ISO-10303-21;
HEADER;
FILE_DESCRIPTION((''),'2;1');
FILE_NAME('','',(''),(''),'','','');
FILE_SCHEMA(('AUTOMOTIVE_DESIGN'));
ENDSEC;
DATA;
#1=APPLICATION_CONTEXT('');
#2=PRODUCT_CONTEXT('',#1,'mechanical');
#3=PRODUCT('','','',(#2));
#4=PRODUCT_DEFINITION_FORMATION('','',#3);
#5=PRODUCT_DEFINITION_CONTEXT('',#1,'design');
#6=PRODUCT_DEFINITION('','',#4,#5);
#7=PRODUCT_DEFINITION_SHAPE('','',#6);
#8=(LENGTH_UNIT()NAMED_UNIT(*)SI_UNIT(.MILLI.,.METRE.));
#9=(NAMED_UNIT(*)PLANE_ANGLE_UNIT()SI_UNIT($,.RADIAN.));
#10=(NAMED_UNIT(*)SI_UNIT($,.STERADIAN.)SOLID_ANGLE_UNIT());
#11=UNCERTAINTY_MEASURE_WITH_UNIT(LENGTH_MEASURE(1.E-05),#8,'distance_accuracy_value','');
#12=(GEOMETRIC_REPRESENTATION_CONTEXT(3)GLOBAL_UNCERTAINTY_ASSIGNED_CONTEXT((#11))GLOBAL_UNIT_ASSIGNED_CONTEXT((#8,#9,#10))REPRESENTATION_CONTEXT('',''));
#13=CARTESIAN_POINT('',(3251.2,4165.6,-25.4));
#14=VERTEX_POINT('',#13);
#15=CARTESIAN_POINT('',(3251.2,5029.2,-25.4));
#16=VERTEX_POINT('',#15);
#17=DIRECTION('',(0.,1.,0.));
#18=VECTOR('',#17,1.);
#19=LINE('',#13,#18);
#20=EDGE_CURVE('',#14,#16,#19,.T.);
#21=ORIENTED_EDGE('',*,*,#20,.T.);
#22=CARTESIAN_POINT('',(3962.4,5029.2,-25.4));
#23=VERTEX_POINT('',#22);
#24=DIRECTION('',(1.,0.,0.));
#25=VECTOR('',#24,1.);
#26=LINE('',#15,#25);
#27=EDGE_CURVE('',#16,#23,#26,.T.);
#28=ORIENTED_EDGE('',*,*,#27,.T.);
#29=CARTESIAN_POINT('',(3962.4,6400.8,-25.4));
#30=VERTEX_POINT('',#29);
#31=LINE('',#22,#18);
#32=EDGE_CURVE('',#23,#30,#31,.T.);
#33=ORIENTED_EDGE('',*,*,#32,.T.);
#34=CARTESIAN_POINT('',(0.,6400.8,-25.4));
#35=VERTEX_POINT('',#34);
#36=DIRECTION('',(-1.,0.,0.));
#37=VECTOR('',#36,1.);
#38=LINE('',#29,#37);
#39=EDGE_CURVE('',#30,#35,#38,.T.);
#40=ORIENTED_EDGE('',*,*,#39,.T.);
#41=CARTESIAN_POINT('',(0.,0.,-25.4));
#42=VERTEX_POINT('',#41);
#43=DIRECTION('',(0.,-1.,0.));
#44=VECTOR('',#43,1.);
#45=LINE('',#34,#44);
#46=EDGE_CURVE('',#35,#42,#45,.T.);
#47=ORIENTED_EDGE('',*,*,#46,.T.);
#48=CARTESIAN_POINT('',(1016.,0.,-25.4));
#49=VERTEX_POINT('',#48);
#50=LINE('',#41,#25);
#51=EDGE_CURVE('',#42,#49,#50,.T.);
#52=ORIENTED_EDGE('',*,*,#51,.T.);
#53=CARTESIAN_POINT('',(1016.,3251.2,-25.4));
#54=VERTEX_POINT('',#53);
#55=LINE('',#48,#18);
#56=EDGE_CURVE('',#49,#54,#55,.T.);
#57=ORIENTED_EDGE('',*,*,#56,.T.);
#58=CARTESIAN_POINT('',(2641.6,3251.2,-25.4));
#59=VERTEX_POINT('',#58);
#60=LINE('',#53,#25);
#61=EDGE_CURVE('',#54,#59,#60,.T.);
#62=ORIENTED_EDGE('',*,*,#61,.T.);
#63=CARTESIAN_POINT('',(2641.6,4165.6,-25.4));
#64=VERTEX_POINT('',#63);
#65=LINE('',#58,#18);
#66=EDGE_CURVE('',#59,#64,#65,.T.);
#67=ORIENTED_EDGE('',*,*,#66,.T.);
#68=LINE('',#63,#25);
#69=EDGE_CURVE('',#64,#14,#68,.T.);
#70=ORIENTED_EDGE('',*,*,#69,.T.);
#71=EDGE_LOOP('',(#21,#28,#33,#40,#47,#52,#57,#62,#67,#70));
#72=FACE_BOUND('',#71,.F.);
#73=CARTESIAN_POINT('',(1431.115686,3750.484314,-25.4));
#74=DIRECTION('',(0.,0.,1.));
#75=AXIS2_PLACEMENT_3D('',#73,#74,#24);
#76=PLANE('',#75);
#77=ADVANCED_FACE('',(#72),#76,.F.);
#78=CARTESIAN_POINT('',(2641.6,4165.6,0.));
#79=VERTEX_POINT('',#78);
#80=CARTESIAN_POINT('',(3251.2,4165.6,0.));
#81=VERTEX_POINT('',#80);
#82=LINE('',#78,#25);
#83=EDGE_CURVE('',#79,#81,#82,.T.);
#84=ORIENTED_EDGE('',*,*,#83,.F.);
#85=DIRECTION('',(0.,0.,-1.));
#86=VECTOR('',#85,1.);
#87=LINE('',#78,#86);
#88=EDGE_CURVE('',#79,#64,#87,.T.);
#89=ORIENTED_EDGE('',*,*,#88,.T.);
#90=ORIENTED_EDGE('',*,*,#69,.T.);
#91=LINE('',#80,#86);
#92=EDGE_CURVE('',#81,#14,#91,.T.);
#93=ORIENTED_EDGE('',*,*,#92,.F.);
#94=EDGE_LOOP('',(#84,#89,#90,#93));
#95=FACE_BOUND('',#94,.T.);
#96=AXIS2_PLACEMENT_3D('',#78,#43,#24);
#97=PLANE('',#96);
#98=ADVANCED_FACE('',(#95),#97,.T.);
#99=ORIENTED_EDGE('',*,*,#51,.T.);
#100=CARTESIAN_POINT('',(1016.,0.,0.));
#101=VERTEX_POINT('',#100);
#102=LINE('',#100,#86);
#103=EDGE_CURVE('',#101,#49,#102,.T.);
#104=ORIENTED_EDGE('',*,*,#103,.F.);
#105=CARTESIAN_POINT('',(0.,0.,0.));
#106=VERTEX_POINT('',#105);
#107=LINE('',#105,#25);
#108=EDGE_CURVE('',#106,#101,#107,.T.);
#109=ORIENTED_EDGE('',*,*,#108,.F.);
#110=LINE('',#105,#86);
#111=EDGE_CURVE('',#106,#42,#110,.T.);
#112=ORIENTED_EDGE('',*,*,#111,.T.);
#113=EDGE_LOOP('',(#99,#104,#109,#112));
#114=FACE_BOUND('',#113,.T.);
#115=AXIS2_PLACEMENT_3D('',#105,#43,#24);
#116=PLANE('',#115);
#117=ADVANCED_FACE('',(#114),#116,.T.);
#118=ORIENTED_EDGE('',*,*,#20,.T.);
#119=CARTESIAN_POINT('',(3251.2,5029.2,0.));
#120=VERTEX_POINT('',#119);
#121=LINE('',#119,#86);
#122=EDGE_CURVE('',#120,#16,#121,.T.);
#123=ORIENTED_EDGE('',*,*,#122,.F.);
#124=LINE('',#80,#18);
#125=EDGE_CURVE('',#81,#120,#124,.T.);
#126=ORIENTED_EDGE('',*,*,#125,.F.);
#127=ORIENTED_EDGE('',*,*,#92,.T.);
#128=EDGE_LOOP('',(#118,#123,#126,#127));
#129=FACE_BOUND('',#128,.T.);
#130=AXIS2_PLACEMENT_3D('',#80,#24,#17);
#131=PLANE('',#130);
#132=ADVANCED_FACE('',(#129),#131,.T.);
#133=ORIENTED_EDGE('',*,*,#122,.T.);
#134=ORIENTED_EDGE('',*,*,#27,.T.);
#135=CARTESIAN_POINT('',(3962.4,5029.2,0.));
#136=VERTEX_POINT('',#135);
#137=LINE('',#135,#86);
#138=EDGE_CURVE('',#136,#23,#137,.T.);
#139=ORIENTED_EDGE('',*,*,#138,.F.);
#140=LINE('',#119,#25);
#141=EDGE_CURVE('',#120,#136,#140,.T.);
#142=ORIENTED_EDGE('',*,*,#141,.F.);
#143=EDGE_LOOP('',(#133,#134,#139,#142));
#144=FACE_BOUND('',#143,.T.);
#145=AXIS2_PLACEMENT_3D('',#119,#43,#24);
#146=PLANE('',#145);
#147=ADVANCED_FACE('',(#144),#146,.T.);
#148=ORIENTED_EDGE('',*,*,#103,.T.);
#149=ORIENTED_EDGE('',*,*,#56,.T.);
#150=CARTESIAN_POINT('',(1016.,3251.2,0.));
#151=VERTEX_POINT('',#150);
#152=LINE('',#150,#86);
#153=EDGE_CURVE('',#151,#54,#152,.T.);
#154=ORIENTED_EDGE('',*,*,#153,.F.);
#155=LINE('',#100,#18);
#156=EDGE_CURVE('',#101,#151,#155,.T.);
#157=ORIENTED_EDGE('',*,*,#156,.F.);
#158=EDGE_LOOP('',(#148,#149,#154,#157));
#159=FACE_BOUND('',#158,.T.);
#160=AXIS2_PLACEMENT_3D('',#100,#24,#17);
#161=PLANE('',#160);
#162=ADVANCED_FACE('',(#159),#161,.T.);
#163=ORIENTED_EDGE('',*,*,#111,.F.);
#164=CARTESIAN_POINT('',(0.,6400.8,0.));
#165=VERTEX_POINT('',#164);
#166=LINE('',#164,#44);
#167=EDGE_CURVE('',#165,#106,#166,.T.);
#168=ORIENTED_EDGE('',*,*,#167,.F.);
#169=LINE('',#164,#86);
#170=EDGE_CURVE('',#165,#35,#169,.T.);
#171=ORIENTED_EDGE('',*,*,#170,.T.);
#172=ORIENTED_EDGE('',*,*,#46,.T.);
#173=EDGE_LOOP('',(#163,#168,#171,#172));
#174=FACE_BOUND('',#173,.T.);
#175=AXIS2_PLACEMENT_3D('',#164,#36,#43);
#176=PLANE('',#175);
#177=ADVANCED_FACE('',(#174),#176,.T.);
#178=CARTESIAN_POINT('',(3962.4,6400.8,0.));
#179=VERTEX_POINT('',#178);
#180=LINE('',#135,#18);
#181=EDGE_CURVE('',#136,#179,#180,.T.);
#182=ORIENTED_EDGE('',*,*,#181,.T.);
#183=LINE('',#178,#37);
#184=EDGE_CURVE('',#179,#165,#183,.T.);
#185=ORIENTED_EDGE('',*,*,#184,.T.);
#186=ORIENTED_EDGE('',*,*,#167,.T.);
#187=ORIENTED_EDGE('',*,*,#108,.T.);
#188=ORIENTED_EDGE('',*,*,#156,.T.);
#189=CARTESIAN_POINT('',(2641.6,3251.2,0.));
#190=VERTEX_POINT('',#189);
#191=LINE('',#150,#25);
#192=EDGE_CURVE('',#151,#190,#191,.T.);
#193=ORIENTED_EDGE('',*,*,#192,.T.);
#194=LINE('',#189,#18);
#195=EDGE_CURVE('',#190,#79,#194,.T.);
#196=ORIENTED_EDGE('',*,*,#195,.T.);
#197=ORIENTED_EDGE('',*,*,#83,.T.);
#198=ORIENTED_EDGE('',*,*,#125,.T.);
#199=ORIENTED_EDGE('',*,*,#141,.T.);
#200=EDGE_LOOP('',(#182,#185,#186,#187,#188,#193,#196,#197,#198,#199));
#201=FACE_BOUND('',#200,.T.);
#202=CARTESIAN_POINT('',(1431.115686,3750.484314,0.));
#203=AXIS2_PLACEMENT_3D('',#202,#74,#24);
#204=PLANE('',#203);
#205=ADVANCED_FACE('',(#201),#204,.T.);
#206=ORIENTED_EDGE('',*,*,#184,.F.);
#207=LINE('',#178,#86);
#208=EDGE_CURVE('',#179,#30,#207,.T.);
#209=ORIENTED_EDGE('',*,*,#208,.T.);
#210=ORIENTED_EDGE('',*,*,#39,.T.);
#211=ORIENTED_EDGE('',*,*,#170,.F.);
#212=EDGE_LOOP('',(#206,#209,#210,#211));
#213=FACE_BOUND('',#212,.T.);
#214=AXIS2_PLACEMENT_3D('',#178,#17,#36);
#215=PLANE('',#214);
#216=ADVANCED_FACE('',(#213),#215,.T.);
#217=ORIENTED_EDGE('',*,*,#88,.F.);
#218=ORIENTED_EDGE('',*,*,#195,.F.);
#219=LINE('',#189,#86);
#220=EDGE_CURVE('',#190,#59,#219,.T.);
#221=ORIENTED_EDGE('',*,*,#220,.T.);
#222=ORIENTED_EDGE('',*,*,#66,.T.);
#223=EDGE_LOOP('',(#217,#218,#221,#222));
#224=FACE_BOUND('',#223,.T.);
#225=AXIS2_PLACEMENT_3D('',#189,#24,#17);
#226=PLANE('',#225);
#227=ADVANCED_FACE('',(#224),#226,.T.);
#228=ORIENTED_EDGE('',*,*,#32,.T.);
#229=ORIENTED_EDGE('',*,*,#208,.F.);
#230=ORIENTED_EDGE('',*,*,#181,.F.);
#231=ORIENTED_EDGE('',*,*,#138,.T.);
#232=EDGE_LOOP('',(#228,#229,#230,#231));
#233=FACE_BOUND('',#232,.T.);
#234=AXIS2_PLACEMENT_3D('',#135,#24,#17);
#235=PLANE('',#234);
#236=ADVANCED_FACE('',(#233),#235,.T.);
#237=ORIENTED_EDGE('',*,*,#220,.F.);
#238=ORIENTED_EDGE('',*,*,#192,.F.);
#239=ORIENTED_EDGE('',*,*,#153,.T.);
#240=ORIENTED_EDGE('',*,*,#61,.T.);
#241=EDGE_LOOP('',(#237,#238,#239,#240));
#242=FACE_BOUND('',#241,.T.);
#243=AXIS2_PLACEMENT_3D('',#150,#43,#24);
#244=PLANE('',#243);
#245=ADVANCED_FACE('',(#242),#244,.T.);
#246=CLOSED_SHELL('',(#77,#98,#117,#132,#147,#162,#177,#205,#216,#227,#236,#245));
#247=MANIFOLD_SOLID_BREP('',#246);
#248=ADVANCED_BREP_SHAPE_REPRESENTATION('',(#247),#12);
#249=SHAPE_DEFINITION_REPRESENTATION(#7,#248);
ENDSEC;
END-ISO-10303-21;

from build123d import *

# Parameters (mm, degrees)
F1_DEPTH = 25.4


with BuildPart() as f1:
    # F0 (on Top) → F1 (new body)
    with BuildSketch(Plane.XY):
        Polygon((0, 6400.8), (0, 0), (1016, 0), (1016, 3251.2), (2641.6, 3251.2), (2641.6, 4165.6), (3251.2, 4165.6), (3251.2, 5029.2), (3962.4, 5029.2), (3962.4, 6400.8), align=None)
    extrude(amount=-F1_DEPTH)


solid = f1.part
